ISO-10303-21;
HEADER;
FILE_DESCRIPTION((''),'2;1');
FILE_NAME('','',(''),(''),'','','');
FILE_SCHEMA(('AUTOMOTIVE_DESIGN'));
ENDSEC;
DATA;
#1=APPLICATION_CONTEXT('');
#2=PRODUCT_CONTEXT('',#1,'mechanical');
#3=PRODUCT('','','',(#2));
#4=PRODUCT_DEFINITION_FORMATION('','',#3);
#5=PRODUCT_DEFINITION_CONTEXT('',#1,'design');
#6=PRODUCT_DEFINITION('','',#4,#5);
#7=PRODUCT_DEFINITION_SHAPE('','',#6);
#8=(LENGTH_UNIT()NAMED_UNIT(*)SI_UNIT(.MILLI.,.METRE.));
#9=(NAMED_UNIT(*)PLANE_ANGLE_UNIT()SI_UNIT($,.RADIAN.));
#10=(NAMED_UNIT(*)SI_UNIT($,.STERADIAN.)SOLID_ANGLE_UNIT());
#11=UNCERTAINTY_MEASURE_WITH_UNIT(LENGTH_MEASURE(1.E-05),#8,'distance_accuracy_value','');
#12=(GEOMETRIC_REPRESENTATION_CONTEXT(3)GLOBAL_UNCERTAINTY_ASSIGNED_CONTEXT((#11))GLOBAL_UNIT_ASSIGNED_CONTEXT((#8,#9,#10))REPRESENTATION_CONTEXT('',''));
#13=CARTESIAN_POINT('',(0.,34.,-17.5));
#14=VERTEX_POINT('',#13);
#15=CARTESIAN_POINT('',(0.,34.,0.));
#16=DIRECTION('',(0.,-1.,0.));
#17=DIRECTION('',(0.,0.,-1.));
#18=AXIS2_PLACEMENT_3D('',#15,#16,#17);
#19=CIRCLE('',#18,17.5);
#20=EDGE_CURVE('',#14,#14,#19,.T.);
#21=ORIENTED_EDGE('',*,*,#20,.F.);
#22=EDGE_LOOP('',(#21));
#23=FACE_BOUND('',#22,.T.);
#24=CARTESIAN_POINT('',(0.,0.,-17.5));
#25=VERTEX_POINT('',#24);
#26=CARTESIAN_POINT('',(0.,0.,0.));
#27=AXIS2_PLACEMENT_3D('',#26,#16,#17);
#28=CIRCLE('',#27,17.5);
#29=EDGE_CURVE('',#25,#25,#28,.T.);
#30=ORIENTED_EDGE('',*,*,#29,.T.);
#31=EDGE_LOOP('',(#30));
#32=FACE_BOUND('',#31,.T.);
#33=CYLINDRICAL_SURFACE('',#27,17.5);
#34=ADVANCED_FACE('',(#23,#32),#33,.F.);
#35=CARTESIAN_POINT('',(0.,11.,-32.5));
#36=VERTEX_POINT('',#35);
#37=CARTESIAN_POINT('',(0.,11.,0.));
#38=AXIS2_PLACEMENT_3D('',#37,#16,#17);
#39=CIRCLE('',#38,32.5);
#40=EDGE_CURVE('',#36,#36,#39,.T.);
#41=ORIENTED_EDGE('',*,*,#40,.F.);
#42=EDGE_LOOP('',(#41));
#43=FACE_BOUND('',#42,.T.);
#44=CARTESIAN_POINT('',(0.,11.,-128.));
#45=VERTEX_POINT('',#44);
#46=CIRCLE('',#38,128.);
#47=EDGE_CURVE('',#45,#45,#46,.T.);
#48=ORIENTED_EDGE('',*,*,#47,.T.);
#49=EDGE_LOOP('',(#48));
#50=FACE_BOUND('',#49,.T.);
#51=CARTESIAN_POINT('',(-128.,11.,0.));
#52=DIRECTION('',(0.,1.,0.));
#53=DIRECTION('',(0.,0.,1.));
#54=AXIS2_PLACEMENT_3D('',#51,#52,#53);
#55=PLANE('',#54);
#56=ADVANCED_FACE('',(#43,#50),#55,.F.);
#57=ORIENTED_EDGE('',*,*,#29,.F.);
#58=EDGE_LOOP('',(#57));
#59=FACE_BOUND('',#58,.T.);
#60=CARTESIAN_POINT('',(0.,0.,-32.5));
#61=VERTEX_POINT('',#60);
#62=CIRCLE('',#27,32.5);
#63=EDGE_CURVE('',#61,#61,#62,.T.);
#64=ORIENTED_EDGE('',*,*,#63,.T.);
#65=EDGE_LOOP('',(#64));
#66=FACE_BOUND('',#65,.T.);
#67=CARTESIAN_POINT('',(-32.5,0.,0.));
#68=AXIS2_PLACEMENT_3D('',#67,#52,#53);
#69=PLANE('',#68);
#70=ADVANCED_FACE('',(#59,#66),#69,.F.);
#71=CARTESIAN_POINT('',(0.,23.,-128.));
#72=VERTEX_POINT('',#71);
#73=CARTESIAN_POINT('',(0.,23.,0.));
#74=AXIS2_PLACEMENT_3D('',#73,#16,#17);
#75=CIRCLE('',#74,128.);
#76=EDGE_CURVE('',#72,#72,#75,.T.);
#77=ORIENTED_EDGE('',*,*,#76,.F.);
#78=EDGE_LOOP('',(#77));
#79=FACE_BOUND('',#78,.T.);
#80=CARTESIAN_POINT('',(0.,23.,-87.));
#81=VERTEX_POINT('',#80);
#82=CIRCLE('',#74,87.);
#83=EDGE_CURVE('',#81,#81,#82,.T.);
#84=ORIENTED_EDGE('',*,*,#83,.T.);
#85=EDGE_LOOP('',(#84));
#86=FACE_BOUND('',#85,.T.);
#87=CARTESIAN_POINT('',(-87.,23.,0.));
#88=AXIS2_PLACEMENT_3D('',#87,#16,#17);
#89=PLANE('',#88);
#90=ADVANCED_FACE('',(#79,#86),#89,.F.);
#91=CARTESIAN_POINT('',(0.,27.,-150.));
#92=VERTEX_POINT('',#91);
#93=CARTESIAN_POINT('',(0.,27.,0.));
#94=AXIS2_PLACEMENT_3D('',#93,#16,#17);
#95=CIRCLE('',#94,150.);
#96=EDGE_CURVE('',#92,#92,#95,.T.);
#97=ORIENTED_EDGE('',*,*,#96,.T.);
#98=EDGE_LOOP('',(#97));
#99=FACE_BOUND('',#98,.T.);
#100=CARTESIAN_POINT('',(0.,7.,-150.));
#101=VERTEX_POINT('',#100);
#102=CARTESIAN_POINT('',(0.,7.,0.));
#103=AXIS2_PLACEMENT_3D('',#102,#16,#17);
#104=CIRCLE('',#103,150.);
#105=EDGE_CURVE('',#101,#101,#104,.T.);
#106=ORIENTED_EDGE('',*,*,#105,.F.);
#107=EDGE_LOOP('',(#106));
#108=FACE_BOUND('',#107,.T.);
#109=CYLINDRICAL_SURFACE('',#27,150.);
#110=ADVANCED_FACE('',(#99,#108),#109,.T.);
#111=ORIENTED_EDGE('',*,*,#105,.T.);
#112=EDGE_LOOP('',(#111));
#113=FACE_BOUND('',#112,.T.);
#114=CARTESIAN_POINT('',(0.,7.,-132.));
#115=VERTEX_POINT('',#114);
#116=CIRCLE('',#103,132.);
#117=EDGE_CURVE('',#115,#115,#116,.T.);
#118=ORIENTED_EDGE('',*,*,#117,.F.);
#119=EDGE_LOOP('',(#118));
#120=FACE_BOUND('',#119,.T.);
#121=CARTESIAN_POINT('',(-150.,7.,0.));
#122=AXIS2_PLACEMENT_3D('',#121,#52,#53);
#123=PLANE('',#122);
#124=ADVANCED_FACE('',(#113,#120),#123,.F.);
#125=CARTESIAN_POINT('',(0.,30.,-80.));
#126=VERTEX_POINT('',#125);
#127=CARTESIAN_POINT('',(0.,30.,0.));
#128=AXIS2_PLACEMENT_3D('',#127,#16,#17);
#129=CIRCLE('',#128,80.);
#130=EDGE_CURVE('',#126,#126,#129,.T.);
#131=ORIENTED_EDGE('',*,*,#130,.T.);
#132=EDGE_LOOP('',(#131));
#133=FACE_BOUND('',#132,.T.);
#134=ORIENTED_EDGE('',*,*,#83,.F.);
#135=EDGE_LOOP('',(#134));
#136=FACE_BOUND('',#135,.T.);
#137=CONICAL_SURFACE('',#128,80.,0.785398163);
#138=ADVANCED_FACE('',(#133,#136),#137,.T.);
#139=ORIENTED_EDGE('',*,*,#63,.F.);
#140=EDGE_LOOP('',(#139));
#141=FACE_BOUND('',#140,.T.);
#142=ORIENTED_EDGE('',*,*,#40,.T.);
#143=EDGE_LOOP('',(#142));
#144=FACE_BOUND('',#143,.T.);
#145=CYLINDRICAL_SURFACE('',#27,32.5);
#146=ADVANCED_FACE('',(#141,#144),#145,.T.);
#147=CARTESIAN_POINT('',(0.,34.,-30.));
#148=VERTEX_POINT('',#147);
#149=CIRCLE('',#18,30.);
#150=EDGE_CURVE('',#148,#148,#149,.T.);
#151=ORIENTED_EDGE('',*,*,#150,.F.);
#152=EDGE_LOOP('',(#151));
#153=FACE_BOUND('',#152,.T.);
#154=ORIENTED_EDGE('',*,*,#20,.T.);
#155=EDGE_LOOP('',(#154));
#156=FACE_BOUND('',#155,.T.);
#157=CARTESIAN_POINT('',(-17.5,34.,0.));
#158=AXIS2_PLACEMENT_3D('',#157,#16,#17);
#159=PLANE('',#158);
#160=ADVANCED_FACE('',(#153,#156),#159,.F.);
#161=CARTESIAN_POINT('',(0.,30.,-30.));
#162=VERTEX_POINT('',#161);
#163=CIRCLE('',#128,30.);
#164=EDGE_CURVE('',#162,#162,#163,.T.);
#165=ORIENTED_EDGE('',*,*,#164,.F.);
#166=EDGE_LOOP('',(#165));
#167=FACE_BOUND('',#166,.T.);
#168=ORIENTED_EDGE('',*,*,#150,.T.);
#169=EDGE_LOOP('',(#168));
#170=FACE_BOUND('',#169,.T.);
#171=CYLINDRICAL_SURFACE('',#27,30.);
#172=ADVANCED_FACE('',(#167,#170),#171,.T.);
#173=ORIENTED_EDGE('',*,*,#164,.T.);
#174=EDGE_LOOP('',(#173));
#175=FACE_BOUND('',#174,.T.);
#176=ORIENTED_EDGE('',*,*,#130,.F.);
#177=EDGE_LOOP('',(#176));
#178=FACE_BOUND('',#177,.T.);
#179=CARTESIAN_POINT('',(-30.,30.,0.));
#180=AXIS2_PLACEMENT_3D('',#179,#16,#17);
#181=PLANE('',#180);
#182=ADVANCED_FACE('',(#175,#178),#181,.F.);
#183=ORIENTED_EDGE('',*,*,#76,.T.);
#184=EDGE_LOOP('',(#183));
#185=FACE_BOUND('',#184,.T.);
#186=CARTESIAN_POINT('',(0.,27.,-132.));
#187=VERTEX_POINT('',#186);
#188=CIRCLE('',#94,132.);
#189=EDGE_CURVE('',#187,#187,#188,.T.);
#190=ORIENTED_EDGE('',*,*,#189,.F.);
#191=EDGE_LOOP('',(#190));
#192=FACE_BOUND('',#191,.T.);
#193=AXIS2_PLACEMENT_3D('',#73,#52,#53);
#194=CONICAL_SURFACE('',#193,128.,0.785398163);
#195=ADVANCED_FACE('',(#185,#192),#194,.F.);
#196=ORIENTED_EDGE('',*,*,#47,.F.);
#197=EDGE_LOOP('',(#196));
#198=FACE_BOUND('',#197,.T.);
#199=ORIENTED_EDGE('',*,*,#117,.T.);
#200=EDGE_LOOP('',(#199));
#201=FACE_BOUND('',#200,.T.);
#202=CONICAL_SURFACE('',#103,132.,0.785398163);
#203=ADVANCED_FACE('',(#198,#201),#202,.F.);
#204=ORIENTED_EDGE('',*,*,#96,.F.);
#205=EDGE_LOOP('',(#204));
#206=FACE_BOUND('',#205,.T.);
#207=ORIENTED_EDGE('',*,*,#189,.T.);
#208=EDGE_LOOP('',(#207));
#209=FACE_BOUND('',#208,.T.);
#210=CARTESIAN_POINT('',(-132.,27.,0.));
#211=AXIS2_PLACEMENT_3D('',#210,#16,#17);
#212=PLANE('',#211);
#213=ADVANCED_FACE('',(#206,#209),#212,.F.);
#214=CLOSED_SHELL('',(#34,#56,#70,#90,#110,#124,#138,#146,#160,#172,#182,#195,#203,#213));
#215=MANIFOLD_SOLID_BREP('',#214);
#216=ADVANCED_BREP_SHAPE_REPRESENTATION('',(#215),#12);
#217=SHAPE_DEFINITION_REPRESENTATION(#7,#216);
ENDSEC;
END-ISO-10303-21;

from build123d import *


with BuildPart() as part:
    # 草图1 → 旋转1 (revolve)
    with BuildSketch(Plane.XY, mode=Mode.PRIVATE) as revolve_1_sk:
        Polygon((-17.5, 0), (-17.5, 34), (-30, 34), (-30, 30), (-80, 30), (-87, 23), (-128, 23), (-132, 27), (-150, 27), (-150, 7), (-132, 7), (-128, 11), (-32.5, 11), (-32.5, 0), align=None)
    revolve(revolve_1_sk.sketch.rotate(Axis((0, 0, 0), (0, 1, 0)), 270), axis=Axis((0, 0, 0), (0, 1, 0)))


solid = part.part
